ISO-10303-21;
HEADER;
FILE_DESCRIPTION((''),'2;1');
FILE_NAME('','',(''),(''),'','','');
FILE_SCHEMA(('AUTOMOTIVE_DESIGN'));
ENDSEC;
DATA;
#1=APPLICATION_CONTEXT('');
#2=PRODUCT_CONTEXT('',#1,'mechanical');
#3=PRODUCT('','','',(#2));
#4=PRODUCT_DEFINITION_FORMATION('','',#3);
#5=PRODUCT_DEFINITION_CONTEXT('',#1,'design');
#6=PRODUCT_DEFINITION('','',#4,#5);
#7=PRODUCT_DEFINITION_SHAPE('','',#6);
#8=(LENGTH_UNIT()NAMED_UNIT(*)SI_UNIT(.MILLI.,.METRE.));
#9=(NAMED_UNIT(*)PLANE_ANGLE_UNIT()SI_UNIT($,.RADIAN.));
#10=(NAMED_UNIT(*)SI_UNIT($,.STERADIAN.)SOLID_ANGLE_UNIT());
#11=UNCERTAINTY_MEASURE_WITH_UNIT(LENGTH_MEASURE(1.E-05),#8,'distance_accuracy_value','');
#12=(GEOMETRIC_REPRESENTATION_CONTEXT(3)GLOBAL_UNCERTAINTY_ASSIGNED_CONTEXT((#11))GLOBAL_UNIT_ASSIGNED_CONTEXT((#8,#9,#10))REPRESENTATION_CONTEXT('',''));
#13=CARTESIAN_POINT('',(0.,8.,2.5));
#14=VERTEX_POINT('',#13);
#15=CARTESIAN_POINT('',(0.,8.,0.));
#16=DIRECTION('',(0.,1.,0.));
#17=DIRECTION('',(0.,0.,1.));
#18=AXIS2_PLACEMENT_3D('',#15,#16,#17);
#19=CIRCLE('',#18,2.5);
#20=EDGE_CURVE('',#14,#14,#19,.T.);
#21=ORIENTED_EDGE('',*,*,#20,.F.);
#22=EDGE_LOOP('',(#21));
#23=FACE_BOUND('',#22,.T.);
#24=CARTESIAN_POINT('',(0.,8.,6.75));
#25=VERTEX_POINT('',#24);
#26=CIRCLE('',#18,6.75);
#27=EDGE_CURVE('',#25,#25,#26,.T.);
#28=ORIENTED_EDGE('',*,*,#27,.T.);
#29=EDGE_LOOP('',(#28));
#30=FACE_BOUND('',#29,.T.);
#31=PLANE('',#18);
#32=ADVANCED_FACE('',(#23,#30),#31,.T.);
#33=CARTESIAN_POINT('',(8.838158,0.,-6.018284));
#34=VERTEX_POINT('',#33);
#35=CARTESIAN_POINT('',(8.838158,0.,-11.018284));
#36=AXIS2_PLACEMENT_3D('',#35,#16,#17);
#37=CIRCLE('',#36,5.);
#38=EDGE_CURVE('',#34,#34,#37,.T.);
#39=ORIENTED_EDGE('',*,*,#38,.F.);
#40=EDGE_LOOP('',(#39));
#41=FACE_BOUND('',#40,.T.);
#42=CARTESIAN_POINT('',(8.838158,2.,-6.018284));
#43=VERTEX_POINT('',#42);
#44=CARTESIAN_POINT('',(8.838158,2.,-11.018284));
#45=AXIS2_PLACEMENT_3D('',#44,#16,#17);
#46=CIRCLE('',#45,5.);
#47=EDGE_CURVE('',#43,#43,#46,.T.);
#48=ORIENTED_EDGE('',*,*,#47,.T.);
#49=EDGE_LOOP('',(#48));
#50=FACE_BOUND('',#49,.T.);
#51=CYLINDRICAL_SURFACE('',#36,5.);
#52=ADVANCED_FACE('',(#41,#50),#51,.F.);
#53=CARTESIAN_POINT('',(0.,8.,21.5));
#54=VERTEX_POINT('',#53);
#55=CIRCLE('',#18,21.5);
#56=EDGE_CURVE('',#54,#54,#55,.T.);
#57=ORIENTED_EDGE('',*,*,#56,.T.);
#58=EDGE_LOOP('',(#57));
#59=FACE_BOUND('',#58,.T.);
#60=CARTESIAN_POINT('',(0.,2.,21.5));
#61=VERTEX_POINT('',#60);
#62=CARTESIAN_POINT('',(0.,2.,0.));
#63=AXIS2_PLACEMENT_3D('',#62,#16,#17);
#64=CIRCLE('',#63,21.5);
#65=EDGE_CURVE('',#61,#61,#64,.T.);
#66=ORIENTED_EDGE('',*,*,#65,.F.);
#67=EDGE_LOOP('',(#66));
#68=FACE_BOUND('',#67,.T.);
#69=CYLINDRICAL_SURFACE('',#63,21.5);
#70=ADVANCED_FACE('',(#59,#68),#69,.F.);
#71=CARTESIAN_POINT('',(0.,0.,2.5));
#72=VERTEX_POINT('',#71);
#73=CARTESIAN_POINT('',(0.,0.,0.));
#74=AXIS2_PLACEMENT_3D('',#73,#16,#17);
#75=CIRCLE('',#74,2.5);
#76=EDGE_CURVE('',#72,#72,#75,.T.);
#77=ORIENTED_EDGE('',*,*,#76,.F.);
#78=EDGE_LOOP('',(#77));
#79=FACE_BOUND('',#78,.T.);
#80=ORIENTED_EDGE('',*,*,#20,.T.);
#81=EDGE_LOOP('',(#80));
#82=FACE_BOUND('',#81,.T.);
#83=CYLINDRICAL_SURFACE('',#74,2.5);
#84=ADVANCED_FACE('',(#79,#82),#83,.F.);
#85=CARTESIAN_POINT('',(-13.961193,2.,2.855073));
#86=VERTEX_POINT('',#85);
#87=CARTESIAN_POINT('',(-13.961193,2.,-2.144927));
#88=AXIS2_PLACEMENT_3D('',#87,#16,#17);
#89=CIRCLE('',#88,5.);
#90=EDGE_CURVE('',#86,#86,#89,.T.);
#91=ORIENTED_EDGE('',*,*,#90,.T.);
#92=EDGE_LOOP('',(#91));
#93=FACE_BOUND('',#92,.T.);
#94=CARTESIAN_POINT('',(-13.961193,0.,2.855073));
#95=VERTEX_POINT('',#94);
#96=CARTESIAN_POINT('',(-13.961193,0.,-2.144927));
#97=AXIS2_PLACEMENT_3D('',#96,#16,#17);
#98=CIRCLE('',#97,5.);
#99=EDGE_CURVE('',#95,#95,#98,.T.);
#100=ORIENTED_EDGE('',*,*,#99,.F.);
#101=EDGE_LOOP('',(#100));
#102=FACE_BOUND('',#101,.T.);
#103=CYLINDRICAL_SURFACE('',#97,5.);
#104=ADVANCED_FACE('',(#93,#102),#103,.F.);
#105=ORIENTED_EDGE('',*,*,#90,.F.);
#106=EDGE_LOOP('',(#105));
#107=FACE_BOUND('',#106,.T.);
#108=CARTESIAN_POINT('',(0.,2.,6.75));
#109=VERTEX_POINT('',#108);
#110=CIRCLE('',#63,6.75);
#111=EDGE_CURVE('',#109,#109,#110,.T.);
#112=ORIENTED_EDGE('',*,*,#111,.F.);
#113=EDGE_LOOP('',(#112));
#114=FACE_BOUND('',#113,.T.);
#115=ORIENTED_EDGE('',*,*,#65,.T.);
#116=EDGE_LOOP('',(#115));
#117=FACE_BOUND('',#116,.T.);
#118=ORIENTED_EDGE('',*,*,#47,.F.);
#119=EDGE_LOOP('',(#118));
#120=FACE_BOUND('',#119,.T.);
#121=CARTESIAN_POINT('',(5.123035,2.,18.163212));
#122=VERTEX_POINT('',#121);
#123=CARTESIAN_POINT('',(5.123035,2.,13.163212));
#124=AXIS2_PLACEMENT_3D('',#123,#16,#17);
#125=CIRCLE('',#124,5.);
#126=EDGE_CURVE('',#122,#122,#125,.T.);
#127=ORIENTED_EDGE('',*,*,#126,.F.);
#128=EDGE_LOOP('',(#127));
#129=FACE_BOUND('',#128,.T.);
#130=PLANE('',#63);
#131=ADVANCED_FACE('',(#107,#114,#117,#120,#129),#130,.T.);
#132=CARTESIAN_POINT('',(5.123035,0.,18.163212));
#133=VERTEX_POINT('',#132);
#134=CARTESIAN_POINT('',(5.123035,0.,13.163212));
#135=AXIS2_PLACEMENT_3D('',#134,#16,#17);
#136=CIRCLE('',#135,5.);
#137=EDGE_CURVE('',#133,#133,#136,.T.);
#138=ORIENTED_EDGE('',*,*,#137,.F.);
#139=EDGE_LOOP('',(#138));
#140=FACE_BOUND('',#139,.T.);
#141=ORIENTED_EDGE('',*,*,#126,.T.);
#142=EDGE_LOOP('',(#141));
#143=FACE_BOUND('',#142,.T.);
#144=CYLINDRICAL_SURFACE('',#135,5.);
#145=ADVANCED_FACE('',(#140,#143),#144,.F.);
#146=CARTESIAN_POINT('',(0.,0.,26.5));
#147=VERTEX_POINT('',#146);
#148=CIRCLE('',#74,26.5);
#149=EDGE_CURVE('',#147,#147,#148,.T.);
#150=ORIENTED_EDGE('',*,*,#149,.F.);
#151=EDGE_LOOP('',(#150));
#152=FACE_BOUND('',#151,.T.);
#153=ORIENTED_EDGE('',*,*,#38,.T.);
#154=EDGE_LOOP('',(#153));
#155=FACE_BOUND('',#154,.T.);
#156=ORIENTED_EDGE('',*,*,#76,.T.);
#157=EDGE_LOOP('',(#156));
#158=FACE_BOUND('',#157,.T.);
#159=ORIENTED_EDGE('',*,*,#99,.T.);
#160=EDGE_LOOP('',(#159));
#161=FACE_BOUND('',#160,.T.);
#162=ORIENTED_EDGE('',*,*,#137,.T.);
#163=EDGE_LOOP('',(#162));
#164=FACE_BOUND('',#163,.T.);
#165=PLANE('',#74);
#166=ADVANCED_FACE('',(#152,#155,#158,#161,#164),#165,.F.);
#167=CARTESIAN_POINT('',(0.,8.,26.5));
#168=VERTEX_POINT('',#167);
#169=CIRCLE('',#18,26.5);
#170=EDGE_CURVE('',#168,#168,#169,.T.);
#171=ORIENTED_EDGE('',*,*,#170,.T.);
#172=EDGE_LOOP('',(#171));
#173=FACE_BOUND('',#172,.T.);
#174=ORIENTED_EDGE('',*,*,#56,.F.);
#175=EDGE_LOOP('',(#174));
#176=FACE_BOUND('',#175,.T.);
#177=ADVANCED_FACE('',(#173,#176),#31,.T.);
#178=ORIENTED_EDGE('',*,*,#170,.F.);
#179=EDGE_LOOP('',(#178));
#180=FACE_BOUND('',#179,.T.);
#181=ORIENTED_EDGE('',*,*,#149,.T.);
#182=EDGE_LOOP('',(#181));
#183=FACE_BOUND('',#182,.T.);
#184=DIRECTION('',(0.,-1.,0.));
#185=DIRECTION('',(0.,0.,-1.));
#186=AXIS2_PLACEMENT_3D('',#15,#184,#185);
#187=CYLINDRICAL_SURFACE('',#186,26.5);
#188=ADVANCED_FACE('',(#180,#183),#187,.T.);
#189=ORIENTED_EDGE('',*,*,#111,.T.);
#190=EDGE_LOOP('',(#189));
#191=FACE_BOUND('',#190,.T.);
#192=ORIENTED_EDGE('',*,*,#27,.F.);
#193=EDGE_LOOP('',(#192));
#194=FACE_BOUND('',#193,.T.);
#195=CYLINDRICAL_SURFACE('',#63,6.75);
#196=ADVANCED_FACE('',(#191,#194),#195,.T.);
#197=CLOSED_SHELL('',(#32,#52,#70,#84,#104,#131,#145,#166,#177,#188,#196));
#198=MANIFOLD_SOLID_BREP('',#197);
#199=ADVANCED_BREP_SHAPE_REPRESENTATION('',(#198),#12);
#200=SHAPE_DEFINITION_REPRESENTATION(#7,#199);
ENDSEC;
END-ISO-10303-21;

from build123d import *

# Parameters (mm, degrees)
ESQUISSE1_R             = 26.5
BOSS_EXTRU_1_DEPTH      = 8
ESQUISSE2_R             = 21.5
ESQUISSE2_R_2           = 6.75
ENL_V_MAT_EXTRU_1_DEPTH = 6
ESQUISSE3_R             = 2.5
ENL_V_MAT_EXTRU_2_DEPTH = 39.321012513
ESQUISSE4_R             = 5
ENL_V_MAT_EXTRU_3_DEPTH = 38.953919429


with BuildPart() as part:
    # Esquisse1 → Boss.-Extru.1 (new body)
    with BuildSketch(Plane(origin=(0, 0, 0), x_dir=(1, 0, 0), z_dir=(0, 1, 0))):
        with Locations(Location((0, 0, 0), (0, 0, 270))):
            Circle(ESQUISSE1_R)
    extrude(amount=BOSS_EXTRU_1_DEPTH)

    # Esquisse2 → Enlèv. mat.-Extru.1 (cut)
    with BuildSketch(Plane(origin=(0, 8, 0), x_dir=(1, 0, 0), z_dir=(0, 1, 0))):
        with Locations(Location((0, 0, 0), (0, 0, 270))):
            Circle(ESQUISSE2_R)
        with Locations(Location((0, 0, 0), (0, 0, 270))):
            Circle(ESQUISSE2_R_2, mode=Mode.SUBTRACT)
    extrude(amount=-ENL_V_MAT_EXTRU_1_DEPTH, mode=Mode.SUBTRACT)

    # Esquisse3 → Enlèv. mat.-Extru.2 (cut, through all)
    with BuildSketch(Plane(origin=(0, 8, 0), x_dir=(1, 0, 0), z_dir=(0, 1, 0))):
        with Locations(Location((0, 0, 0), (0, 0, 270))):
            Circle(ESQUISSE3_R)
    extrude(amount=-ENL_V_MAT_EXTRU_2_DEPTH, mode=Mode.SUBTRACT)

    # Esquisse4 → Enlèv. mat.-Extru.3 (cut, through all)
    with BuildSketch(Plane(origin=(0, 2, 0), x_dir=(-1, 0, 0), z_dir=(0, 1, 0))):
        with Locations(Location((13.961193072, -2.144927276, 0), (0, 0, 90))):
            Circle(ESQUISSE4_R)
        with Locations(Location((-5.123035026, 13.163211505, 0), (0, 0, 90))):
            Circle(ESQUISSE4_R)
        with Locations(Location((-8.838158046, -11.018284229, 0), (0, 0, 90))):
            Circle(ESQUISSE4_R)
    extrude(amount=-ENL_V_MAT_EXTRU_3_DEPTH, mode=Mode.SUBTRACT)


solid = part.part
